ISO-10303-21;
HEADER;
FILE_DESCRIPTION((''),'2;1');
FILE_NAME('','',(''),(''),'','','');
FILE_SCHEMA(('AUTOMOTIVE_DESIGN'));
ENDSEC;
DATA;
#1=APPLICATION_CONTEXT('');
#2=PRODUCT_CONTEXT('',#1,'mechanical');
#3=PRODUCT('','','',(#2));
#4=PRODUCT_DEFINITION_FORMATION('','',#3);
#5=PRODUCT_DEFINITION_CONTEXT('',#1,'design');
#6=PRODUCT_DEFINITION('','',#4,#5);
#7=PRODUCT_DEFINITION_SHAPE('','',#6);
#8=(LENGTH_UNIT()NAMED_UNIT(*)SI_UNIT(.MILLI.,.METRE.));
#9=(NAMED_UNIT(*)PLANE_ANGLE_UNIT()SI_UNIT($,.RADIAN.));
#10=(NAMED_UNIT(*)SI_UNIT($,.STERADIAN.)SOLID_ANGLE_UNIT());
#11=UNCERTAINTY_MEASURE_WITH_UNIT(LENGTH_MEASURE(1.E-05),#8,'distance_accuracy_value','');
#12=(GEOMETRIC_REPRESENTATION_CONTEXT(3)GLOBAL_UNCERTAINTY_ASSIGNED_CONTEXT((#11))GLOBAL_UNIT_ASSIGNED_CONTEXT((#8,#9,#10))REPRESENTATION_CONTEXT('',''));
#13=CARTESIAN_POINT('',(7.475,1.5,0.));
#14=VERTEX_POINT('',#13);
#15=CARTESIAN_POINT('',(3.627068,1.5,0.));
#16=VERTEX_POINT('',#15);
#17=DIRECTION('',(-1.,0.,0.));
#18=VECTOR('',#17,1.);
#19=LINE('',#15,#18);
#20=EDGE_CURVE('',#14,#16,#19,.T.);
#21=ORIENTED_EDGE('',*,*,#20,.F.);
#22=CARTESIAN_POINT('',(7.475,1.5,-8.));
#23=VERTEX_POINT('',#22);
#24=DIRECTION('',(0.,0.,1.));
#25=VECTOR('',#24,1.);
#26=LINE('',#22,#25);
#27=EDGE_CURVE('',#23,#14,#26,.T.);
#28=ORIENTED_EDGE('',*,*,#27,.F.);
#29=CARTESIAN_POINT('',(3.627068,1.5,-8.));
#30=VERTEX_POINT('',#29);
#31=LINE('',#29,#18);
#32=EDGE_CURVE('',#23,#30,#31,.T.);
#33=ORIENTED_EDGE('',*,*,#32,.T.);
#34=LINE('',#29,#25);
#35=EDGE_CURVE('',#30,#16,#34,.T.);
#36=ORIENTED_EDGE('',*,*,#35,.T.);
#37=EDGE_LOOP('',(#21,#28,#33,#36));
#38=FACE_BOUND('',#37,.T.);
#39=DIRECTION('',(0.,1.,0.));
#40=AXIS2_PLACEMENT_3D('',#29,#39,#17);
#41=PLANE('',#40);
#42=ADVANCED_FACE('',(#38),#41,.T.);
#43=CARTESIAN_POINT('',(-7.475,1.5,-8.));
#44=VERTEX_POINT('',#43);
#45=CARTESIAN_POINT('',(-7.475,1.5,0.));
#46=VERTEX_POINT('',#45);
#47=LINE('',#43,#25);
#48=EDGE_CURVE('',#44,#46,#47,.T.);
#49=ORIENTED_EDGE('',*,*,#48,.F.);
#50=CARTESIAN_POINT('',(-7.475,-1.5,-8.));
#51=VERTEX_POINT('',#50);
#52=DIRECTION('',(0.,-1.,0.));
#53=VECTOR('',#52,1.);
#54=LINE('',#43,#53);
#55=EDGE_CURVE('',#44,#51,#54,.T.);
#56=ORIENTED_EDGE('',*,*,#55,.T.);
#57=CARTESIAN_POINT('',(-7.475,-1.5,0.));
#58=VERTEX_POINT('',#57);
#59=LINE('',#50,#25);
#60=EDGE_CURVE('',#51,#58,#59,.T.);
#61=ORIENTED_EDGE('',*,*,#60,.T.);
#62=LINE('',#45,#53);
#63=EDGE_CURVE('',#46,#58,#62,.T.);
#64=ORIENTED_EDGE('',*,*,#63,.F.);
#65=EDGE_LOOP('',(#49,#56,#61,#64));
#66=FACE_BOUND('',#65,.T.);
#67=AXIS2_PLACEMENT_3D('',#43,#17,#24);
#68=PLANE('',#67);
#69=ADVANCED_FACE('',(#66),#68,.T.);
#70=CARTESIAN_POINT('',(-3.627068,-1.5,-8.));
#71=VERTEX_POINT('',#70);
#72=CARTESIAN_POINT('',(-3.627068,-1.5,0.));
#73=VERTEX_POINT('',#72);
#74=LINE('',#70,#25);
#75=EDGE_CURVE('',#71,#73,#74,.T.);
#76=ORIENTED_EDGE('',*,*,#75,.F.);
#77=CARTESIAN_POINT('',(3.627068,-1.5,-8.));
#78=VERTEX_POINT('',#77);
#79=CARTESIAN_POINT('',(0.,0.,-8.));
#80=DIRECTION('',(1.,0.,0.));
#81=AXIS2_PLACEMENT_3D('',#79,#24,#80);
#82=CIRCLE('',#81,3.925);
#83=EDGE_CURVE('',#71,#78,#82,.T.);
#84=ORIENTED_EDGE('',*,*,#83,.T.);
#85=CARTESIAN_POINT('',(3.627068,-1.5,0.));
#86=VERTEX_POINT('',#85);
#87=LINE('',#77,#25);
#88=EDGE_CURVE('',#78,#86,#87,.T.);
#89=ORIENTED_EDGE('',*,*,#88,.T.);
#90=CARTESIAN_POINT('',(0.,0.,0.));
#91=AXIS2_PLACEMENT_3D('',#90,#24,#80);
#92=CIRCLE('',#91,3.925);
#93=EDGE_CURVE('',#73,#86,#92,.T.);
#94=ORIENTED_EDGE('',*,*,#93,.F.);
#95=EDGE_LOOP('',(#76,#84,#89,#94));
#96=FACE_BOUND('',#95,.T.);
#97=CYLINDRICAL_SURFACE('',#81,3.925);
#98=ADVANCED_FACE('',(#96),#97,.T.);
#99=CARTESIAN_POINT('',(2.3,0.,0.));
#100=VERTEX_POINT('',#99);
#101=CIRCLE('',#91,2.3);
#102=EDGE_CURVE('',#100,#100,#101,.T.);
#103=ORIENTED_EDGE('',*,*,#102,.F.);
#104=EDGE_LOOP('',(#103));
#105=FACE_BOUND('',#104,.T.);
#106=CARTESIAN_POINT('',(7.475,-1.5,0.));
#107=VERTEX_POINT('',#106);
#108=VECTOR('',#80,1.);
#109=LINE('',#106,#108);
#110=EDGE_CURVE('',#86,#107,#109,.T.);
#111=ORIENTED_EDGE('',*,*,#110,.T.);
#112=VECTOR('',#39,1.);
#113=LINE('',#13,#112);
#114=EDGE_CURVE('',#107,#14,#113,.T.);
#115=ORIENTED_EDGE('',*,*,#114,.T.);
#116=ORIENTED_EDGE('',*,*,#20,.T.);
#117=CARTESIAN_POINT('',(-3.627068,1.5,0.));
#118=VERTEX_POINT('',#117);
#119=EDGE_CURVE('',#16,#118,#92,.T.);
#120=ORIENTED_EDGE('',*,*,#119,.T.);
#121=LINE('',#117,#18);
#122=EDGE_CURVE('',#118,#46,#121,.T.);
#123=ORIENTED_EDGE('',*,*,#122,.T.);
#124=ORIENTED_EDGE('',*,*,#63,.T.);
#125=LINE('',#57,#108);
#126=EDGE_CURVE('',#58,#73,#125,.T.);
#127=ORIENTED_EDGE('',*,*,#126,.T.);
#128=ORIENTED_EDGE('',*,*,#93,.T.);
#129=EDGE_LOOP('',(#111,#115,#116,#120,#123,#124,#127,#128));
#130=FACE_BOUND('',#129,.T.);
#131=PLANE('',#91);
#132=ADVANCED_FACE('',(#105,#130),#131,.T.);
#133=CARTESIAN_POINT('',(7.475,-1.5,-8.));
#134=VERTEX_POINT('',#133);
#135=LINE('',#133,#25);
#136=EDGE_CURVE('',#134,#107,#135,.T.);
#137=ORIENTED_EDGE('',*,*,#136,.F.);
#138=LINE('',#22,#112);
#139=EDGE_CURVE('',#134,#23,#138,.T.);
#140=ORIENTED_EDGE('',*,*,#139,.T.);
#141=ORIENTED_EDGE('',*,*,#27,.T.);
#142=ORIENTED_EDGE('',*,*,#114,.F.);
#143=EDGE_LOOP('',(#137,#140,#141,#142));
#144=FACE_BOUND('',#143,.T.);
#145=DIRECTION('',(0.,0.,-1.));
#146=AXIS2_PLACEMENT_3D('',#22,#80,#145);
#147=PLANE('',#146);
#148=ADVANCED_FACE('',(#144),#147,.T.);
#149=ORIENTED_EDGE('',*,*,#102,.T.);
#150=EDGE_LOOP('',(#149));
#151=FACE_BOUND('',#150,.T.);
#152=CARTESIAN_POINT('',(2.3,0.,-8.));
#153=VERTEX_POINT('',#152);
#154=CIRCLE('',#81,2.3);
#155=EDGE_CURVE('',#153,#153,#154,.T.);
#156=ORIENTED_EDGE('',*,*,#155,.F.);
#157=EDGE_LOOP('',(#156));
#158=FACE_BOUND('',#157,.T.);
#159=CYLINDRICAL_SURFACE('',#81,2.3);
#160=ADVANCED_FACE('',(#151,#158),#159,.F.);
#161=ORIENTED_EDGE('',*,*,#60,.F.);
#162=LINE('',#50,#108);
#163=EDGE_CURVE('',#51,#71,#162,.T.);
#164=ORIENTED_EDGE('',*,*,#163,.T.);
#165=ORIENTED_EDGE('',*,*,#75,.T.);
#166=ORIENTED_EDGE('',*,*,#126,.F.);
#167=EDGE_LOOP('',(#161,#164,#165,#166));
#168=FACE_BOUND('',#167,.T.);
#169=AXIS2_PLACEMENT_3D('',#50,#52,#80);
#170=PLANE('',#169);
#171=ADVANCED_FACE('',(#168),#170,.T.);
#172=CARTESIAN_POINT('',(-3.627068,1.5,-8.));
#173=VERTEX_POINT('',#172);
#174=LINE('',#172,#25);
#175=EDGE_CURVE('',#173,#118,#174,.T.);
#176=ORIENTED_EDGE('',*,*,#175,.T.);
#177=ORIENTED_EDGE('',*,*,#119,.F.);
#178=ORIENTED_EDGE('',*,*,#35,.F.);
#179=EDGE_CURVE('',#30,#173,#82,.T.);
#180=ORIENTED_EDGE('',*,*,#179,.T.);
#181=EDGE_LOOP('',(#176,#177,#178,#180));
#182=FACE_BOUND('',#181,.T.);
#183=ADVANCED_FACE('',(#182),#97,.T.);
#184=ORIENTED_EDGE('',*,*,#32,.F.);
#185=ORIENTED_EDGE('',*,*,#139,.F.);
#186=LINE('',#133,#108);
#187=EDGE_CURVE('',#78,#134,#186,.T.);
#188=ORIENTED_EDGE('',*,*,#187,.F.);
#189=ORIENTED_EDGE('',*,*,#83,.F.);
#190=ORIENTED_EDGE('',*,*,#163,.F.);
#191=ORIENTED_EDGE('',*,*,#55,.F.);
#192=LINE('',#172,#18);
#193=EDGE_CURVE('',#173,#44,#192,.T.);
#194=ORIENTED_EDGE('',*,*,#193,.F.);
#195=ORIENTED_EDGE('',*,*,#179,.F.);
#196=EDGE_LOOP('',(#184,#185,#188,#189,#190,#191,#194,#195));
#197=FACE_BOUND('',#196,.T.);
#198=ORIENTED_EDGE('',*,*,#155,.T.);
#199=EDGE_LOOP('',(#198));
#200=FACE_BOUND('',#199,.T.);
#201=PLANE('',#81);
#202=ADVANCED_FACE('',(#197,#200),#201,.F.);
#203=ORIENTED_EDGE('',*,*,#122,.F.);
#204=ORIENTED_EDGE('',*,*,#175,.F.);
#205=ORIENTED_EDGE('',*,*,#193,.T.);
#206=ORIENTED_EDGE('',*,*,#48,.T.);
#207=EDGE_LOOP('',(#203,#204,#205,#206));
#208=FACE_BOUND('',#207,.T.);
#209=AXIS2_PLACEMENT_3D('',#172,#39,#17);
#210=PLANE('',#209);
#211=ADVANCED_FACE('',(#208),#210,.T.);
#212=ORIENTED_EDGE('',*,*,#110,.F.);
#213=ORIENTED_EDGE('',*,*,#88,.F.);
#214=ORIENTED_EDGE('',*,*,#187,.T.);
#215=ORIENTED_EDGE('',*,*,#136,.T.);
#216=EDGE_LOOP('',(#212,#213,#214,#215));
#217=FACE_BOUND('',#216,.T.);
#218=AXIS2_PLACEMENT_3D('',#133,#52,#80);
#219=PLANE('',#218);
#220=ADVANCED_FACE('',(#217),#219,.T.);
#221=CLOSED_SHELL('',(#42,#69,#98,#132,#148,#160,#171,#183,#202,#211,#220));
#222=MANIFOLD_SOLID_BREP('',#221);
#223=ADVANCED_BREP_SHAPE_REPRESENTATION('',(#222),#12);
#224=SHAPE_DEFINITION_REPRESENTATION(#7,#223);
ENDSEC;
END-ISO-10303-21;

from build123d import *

# Parameters (mm, degrees)
CROQUIS1_R              = 2.3
SALIENTE_EXTRUIR1_DEPTH = 8


with BuildPart() as part:
    # Croquis1 → Saliente-Extruir1 (new body)
    with BuildSketch(Plane.XY):
        with BuildLine():
            Line((3.627068375, 1.5), (7.475, 1.5))
            Line((7.475, 1.5), (7.475, -1.5))
            Line((7.475, -1.5), (3.627068375, -1.5))
            ThreePointArc((3.627068375, -1.5), (0, -3.925), (-3.627068375, -1.5))
            Line((-3.627068375, -1.5), (-7.475, -1.5))
            Line((-7.475, -1.5), (-7.475, 1.5))
            Line((-7.475, 1.5), (-3.627068375, 1.5))
            ThreePointArc((-3.627068375, 1.5), (0, 3.925), (3.627068375, 1.5))
        make_face()
        Circle(CROQUIS1_R, mode=Mode.SUBTRACT)
    extrude(amount=-SALIENTE_EXTRUIR1_DEPTH)


solid = part.part
